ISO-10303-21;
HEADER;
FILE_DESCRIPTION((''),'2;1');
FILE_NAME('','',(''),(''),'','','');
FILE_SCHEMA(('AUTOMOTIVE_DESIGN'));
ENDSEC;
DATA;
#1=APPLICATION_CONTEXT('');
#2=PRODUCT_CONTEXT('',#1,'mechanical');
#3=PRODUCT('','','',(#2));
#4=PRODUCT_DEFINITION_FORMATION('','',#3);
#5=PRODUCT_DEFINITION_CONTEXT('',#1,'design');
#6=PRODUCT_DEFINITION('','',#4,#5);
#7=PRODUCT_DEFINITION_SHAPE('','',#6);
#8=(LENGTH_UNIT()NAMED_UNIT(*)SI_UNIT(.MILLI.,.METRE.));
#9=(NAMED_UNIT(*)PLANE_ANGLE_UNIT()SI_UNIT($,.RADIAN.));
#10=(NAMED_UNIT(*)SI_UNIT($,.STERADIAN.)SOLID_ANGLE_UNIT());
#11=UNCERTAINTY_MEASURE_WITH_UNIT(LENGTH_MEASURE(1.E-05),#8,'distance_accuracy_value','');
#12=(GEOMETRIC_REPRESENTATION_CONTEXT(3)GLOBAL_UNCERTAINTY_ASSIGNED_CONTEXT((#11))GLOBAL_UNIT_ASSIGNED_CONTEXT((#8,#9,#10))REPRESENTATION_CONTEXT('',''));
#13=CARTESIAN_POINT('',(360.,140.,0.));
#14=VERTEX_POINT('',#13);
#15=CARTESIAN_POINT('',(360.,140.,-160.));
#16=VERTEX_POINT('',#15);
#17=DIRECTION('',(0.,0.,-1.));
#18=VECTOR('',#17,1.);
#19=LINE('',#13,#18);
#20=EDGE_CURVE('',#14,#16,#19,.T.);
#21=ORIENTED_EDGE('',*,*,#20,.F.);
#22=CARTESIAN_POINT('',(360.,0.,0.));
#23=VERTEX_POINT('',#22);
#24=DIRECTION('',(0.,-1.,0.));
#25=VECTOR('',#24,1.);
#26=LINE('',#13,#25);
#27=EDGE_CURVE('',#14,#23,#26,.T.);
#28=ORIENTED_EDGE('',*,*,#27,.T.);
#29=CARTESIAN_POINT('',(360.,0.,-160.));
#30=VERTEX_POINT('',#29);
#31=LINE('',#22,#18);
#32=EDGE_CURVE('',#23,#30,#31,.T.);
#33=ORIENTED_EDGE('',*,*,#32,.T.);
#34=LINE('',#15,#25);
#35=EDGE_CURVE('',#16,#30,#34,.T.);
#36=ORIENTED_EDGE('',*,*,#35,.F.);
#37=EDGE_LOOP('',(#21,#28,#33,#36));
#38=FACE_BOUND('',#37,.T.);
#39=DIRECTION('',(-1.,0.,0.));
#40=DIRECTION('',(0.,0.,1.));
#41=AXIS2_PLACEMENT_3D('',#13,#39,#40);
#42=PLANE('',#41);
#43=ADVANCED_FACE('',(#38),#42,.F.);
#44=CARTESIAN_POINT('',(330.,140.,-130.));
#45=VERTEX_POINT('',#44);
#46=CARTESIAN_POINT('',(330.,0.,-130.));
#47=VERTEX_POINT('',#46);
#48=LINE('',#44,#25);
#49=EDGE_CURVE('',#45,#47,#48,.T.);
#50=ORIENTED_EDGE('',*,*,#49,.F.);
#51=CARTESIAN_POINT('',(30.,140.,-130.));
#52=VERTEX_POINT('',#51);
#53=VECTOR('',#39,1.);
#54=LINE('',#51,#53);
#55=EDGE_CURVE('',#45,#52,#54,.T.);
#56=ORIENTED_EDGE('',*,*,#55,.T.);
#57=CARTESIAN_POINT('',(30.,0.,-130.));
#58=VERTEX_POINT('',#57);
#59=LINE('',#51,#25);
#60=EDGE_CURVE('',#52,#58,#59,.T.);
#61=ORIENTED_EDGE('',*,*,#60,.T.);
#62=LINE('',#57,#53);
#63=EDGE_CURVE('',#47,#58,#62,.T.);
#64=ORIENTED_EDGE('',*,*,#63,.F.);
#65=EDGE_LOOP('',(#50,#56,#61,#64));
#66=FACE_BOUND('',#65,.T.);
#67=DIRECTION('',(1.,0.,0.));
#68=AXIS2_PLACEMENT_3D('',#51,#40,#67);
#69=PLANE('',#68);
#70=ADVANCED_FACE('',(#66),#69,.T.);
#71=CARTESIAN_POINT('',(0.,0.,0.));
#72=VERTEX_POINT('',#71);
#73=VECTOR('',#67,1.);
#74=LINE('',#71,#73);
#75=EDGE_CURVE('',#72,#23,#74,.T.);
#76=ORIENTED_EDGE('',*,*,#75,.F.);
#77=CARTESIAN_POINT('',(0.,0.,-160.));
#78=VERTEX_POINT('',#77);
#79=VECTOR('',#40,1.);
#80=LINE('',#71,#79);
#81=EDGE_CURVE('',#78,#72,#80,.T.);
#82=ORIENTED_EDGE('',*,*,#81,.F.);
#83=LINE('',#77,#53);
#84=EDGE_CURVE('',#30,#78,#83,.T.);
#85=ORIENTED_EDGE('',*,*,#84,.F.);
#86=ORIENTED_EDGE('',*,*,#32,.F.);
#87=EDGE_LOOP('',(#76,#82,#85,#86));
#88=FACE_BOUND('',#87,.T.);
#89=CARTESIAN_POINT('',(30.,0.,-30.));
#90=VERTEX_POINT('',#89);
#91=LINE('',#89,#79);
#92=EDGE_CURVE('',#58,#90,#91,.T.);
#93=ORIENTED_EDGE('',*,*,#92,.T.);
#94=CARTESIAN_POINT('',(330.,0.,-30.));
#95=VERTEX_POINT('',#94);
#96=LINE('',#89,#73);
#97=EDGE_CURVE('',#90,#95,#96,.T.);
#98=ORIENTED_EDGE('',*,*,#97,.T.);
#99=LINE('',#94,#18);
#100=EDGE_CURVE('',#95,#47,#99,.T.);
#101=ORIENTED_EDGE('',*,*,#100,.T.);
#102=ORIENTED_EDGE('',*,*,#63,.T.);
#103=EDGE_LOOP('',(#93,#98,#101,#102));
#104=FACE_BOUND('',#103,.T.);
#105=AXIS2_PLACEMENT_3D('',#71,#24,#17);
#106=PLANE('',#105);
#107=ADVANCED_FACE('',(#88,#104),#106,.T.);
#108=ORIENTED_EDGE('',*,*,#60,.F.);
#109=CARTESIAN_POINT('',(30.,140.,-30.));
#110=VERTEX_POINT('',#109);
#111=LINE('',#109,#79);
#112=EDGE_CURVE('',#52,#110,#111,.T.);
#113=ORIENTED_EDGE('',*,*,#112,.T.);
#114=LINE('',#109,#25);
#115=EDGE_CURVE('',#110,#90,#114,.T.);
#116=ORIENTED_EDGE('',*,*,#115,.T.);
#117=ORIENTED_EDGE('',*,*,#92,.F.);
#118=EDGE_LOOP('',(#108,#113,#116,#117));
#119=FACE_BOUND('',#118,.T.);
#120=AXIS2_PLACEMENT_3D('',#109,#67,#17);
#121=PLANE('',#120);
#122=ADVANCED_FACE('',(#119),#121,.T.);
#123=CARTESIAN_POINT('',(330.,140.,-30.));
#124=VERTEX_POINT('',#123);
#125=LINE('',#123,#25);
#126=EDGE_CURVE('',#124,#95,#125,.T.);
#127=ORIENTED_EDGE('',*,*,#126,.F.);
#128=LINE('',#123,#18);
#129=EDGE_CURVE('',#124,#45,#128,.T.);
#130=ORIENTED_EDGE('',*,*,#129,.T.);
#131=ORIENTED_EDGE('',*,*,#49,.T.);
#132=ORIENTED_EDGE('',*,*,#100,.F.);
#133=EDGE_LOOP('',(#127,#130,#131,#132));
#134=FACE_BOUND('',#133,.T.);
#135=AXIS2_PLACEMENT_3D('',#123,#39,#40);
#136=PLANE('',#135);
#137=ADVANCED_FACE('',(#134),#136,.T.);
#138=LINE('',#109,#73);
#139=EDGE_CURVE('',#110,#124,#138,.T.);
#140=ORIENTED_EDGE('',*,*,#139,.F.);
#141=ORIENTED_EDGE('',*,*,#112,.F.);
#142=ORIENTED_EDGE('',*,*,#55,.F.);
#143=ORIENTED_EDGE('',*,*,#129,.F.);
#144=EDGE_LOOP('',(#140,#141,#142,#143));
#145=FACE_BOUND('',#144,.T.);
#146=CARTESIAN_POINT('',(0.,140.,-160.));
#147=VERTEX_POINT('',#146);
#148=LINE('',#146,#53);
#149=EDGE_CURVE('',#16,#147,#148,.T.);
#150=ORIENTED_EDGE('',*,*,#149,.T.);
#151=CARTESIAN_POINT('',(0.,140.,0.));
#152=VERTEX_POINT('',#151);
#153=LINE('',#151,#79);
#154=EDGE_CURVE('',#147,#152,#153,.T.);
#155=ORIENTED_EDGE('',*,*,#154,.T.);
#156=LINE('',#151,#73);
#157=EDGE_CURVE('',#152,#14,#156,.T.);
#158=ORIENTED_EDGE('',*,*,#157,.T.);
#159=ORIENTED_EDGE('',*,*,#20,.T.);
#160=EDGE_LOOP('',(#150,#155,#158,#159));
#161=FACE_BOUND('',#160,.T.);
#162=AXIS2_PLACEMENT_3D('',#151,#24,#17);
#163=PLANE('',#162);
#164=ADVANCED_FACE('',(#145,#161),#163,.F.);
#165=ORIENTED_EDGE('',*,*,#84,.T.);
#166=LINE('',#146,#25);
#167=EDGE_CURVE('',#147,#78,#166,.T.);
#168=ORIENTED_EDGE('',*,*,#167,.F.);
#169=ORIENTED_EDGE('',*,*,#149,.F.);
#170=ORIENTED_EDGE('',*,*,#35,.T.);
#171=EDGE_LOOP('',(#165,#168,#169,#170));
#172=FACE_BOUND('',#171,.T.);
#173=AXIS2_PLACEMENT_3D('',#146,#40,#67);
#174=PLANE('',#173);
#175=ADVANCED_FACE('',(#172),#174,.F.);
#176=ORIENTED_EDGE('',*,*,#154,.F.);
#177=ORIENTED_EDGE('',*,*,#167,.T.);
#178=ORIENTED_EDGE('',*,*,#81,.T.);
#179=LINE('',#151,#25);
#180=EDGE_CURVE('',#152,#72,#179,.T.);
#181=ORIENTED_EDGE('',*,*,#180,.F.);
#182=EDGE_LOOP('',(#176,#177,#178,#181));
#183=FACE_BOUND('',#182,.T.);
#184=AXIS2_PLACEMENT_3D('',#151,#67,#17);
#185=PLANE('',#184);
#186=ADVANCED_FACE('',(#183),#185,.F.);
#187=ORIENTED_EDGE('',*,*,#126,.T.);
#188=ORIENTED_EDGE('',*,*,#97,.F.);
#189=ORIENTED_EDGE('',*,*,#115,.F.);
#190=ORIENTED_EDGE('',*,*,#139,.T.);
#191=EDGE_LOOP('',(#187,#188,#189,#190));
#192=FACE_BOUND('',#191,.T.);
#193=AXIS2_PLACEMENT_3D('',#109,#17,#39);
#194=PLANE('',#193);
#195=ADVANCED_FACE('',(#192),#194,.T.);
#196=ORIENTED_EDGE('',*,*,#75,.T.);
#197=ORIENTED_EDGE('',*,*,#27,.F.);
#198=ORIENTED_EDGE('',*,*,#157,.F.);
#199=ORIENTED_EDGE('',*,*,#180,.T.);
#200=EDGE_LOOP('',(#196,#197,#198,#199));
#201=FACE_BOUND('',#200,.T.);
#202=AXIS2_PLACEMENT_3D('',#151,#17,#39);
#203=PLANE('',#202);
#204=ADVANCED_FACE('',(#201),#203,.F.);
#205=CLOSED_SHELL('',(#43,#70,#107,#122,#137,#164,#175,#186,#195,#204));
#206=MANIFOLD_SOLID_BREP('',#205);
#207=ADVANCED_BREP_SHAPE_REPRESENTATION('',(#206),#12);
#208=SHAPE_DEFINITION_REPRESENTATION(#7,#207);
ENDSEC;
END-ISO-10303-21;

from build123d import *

# Parameters (mm, degrees)
SKETCH1_W           = 360
SKETCH1_H           = 160
SKETCH1_W_2         = 300
SKETCH1_H_2         = 100
BOSS_EXTRUDE1_DEPTH = 140


with BuildPart() as part:
    # Sketch1 → Boss-Extrude1 (new body)
    with BuildSketch(Plane(origin=(0, 0, 0), x_dir=(1, 0, 0), z_dir=(0, 1, 0))):
        with Locations((180, 80)):
            Rectangle(SKETCH1_W, SKETCH1_H)
        with Locations((180, 80)):
            Rectangle(SKETCH1_W_2, SKETCH1_H_2, mode=Mode.SUBTRACT)
    extrude(amount=BOSS_EXTRUDE1_DEPTH)


solid = part.part
